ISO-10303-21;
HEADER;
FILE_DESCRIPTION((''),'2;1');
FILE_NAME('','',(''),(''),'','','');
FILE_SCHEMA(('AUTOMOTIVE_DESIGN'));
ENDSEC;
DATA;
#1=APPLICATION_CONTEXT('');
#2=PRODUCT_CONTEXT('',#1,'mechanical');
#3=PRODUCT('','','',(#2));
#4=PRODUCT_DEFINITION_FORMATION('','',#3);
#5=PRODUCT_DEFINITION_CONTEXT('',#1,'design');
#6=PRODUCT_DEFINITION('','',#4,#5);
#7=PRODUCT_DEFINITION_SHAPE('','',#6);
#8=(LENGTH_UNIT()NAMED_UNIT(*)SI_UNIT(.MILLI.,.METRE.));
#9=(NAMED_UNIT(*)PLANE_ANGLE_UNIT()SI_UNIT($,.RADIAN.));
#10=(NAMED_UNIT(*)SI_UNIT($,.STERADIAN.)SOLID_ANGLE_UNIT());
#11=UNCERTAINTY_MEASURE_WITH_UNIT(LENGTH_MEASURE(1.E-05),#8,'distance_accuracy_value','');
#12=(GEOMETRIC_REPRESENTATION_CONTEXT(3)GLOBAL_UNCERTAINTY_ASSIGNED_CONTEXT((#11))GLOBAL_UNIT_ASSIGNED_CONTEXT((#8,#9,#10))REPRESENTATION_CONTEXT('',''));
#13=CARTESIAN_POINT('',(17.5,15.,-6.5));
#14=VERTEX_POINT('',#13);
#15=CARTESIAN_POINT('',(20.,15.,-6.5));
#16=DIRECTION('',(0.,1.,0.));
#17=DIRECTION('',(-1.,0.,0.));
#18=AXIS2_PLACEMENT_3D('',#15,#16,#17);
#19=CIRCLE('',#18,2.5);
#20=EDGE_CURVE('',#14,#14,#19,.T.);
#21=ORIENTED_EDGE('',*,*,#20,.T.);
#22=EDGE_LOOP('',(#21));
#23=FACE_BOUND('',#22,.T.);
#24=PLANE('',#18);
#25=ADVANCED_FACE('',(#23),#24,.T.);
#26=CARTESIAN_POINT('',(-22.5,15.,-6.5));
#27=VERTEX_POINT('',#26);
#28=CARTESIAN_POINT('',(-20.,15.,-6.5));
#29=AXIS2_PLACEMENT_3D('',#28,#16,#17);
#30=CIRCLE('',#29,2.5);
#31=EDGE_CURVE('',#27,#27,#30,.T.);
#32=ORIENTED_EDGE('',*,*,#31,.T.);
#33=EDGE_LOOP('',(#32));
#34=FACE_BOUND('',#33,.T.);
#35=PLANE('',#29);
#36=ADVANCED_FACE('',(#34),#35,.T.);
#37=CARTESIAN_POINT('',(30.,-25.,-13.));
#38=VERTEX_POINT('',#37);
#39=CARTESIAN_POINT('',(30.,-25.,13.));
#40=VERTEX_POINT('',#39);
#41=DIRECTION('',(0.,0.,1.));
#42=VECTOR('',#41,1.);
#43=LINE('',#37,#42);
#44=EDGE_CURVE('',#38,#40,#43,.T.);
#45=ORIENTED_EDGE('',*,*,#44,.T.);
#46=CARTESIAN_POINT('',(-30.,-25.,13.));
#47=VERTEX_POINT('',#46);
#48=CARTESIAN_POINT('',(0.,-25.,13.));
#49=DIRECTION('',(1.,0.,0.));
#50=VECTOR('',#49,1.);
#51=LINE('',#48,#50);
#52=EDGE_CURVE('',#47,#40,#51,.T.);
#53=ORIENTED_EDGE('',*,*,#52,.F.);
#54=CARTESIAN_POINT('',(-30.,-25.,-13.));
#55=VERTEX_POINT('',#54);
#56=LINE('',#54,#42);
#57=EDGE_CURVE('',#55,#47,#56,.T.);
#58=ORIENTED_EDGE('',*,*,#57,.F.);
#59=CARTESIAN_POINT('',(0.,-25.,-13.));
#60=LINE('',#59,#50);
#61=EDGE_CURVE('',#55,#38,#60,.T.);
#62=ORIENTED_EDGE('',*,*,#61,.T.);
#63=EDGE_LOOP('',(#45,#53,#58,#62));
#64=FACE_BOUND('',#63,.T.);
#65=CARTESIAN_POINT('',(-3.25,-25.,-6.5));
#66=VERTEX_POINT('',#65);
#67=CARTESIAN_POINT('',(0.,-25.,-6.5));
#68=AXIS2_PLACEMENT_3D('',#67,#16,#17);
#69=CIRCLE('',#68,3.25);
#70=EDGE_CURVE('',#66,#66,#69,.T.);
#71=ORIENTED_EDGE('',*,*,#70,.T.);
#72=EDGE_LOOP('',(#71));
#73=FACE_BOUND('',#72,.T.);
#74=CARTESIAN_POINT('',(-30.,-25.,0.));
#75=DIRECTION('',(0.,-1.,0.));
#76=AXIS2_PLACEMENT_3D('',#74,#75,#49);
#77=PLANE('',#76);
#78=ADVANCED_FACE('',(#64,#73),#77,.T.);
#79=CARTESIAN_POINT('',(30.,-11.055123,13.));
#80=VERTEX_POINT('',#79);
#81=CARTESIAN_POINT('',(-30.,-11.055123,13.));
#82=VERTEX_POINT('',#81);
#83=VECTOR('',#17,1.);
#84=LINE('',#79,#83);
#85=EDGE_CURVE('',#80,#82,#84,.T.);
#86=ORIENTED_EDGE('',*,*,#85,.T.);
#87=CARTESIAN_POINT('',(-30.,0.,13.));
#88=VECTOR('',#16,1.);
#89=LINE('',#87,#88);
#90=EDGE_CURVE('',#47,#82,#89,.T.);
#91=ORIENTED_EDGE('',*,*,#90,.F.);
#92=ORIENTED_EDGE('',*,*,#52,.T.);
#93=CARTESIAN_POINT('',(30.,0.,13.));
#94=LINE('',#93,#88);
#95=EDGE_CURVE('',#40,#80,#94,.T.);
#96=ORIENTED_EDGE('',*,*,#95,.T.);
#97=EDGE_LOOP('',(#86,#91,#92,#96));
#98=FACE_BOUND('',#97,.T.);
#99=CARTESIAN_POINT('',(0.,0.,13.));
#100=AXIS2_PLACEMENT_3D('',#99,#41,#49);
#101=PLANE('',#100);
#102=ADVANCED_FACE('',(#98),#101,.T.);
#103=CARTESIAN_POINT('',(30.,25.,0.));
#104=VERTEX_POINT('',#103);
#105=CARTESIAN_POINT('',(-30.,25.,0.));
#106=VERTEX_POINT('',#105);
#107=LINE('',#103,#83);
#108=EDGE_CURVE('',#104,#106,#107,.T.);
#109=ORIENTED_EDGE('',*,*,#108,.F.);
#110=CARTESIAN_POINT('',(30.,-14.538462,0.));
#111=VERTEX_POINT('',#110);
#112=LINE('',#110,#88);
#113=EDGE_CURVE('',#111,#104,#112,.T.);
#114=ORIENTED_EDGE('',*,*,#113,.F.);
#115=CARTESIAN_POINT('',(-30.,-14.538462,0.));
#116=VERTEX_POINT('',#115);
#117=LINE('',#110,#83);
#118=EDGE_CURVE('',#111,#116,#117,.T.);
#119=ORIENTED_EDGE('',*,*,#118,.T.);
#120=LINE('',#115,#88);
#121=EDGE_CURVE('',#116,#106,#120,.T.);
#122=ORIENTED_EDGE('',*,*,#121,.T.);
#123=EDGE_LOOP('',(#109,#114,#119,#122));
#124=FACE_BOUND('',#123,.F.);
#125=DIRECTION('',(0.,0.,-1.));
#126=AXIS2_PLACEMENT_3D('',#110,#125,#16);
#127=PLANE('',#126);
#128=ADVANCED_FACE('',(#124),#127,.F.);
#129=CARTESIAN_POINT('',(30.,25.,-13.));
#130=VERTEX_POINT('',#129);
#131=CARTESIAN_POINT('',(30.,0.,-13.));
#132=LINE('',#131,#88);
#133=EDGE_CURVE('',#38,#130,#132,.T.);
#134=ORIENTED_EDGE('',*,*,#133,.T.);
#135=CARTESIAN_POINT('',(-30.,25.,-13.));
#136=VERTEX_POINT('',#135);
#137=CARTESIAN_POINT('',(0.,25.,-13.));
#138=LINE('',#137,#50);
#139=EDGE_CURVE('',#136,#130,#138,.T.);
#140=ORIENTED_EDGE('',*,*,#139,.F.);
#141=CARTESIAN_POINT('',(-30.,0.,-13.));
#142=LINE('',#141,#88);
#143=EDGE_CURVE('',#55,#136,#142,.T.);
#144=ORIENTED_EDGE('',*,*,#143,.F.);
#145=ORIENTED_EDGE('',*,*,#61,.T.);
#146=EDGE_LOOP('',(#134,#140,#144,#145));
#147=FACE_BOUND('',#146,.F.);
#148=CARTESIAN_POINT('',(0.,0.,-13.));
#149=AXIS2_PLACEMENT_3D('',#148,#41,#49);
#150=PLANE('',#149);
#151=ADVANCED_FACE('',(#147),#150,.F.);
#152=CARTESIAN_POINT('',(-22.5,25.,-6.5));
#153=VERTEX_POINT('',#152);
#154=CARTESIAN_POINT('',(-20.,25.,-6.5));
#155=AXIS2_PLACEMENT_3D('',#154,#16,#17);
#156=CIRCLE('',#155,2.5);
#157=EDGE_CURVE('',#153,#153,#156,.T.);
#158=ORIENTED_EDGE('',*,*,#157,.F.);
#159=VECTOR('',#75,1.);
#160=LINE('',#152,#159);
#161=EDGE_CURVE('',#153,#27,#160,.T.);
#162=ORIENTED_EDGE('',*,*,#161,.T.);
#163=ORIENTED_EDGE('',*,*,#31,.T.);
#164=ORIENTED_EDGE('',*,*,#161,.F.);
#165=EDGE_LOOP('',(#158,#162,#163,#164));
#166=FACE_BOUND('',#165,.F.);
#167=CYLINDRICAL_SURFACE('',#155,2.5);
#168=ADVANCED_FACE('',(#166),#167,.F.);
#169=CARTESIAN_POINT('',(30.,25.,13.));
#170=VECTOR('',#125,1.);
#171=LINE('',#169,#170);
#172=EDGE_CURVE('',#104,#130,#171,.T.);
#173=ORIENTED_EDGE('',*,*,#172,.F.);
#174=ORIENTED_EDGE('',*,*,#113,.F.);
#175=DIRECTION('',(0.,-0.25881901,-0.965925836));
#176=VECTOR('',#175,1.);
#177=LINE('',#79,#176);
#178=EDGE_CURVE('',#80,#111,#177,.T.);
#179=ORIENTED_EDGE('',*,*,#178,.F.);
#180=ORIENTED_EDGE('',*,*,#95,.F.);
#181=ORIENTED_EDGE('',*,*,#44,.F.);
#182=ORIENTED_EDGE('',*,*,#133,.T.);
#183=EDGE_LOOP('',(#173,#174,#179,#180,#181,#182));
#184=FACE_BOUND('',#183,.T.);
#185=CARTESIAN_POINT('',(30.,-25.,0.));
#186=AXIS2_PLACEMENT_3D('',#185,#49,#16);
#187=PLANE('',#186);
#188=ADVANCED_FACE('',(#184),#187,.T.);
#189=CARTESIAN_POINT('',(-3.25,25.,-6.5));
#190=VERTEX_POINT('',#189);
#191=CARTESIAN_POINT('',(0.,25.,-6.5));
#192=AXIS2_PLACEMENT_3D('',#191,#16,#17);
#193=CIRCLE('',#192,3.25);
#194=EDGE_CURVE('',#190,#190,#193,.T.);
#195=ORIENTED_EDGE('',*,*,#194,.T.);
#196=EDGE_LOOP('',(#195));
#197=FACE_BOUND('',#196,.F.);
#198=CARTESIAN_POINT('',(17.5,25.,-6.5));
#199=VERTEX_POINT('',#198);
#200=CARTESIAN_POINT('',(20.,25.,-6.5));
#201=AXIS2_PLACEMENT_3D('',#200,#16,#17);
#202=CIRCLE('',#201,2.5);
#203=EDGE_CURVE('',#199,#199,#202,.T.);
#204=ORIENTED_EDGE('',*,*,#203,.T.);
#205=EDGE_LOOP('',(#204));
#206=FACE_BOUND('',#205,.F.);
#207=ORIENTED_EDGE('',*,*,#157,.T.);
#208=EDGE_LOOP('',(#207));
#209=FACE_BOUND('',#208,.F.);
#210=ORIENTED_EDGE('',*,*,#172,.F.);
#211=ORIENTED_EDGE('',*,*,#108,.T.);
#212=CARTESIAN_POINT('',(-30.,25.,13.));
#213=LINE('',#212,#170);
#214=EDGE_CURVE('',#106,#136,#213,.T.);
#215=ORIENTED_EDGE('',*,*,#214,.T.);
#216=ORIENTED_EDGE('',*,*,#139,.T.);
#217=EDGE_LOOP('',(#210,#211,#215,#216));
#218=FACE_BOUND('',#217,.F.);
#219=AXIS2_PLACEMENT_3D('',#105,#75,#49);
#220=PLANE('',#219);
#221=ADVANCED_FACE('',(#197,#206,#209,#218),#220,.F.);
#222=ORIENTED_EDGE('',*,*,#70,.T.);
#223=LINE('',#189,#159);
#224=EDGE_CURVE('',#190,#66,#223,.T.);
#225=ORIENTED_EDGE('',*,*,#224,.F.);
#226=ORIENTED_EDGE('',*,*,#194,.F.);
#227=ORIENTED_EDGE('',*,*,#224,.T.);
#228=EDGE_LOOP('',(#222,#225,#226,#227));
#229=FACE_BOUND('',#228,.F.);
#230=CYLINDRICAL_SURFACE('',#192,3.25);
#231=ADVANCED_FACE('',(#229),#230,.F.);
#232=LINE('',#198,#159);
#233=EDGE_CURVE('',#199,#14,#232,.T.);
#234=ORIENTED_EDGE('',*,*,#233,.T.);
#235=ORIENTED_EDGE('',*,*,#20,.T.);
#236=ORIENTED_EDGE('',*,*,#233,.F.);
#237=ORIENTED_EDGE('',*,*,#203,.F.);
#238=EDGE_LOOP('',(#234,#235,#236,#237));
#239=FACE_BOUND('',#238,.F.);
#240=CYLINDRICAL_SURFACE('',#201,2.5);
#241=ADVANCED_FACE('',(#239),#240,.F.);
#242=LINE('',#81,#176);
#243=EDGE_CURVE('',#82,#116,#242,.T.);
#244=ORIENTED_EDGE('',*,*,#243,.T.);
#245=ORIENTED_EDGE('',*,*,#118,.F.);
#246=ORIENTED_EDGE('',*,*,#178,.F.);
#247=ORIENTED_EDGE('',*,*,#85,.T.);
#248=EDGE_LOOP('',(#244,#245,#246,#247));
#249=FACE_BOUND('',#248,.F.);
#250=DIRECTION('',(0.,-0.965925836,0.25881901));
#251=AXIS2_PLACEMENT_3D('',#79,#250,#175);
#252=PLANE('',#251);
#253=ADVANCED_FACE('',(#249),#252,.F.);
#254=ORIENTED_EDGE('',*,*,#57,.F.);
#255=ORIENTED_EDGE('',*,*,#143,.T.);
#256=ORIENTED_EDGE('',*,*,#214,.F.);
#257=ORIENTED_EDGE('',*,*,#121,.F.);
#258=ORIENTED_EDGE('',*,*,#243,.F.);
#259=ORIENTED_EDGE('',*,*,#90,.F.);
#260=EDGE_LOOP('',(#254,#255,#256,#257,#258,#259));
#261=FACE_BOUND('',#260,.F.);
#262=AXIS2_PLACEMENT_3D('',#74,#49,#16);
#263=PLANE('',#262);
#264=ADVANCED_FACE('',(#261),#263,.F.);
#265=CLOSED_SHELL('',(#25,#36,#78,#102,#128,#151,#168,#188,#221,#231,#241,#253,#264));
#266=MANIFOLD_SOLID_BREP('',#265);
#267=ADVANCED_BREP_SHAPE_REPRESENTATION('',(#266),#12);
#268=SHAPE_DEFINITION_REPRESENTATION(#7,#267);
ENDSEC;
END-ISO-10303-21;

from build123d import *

# Parameters (mm, degrees)
F0_W     = 60
F0_H     = 50
F1_DEPTH = 13
F3_DEPTH = 60
F4_R     = 3.25
F5_DEPTH = 50
F6_R     = 2.5
F7_DEPTH = 10


with BuildPart() as f1:
    # F0 (on Top) → F1 (new body, symmetric)
    with BuildSketch(Plane.XY):
        Rectangle(F0_W, F0_H)
    extrude(amount=F1_DEPTH, both=True)

    # F2 (on face) → F3 (cut)
    with BuildSketch(Plane.YZ.offset(30)):
        Polygon((-11.055123, 13), (-14.538462, 0), (25, 0), (25, 13), align=None)
    extrude(amount=-F3_DEPTH, mode=Mode.SUBTRACT)

    # F4 (on face) → F5 (cut)
    with BuildSketch(Plane(origin=(0, 25, 0), x_dir=(-1, 0, 0), z_dir=(0, 1, 0))):
        with Locations((0, -6.5)):
            Circle(F4_R)
    extrude(amount=-F5_DEPTH, mode=Mode.SUBTRACT)

    # F6 (on face) → F7 (cut)
    with BuildSketch(Plane(origin=(0, 25, 0), x_dir=(-1, 0, 0), z_dir=(0, 1, 0))):
        with Locations((-20, -6.5)):
            Circle(F6_R)
        with Locations((20, -6.5)):
            Circle(F6_R)
    extrude(amount=-F7_DEPTH, mode=Mode.SUBTRACT)


solid = f1.part
